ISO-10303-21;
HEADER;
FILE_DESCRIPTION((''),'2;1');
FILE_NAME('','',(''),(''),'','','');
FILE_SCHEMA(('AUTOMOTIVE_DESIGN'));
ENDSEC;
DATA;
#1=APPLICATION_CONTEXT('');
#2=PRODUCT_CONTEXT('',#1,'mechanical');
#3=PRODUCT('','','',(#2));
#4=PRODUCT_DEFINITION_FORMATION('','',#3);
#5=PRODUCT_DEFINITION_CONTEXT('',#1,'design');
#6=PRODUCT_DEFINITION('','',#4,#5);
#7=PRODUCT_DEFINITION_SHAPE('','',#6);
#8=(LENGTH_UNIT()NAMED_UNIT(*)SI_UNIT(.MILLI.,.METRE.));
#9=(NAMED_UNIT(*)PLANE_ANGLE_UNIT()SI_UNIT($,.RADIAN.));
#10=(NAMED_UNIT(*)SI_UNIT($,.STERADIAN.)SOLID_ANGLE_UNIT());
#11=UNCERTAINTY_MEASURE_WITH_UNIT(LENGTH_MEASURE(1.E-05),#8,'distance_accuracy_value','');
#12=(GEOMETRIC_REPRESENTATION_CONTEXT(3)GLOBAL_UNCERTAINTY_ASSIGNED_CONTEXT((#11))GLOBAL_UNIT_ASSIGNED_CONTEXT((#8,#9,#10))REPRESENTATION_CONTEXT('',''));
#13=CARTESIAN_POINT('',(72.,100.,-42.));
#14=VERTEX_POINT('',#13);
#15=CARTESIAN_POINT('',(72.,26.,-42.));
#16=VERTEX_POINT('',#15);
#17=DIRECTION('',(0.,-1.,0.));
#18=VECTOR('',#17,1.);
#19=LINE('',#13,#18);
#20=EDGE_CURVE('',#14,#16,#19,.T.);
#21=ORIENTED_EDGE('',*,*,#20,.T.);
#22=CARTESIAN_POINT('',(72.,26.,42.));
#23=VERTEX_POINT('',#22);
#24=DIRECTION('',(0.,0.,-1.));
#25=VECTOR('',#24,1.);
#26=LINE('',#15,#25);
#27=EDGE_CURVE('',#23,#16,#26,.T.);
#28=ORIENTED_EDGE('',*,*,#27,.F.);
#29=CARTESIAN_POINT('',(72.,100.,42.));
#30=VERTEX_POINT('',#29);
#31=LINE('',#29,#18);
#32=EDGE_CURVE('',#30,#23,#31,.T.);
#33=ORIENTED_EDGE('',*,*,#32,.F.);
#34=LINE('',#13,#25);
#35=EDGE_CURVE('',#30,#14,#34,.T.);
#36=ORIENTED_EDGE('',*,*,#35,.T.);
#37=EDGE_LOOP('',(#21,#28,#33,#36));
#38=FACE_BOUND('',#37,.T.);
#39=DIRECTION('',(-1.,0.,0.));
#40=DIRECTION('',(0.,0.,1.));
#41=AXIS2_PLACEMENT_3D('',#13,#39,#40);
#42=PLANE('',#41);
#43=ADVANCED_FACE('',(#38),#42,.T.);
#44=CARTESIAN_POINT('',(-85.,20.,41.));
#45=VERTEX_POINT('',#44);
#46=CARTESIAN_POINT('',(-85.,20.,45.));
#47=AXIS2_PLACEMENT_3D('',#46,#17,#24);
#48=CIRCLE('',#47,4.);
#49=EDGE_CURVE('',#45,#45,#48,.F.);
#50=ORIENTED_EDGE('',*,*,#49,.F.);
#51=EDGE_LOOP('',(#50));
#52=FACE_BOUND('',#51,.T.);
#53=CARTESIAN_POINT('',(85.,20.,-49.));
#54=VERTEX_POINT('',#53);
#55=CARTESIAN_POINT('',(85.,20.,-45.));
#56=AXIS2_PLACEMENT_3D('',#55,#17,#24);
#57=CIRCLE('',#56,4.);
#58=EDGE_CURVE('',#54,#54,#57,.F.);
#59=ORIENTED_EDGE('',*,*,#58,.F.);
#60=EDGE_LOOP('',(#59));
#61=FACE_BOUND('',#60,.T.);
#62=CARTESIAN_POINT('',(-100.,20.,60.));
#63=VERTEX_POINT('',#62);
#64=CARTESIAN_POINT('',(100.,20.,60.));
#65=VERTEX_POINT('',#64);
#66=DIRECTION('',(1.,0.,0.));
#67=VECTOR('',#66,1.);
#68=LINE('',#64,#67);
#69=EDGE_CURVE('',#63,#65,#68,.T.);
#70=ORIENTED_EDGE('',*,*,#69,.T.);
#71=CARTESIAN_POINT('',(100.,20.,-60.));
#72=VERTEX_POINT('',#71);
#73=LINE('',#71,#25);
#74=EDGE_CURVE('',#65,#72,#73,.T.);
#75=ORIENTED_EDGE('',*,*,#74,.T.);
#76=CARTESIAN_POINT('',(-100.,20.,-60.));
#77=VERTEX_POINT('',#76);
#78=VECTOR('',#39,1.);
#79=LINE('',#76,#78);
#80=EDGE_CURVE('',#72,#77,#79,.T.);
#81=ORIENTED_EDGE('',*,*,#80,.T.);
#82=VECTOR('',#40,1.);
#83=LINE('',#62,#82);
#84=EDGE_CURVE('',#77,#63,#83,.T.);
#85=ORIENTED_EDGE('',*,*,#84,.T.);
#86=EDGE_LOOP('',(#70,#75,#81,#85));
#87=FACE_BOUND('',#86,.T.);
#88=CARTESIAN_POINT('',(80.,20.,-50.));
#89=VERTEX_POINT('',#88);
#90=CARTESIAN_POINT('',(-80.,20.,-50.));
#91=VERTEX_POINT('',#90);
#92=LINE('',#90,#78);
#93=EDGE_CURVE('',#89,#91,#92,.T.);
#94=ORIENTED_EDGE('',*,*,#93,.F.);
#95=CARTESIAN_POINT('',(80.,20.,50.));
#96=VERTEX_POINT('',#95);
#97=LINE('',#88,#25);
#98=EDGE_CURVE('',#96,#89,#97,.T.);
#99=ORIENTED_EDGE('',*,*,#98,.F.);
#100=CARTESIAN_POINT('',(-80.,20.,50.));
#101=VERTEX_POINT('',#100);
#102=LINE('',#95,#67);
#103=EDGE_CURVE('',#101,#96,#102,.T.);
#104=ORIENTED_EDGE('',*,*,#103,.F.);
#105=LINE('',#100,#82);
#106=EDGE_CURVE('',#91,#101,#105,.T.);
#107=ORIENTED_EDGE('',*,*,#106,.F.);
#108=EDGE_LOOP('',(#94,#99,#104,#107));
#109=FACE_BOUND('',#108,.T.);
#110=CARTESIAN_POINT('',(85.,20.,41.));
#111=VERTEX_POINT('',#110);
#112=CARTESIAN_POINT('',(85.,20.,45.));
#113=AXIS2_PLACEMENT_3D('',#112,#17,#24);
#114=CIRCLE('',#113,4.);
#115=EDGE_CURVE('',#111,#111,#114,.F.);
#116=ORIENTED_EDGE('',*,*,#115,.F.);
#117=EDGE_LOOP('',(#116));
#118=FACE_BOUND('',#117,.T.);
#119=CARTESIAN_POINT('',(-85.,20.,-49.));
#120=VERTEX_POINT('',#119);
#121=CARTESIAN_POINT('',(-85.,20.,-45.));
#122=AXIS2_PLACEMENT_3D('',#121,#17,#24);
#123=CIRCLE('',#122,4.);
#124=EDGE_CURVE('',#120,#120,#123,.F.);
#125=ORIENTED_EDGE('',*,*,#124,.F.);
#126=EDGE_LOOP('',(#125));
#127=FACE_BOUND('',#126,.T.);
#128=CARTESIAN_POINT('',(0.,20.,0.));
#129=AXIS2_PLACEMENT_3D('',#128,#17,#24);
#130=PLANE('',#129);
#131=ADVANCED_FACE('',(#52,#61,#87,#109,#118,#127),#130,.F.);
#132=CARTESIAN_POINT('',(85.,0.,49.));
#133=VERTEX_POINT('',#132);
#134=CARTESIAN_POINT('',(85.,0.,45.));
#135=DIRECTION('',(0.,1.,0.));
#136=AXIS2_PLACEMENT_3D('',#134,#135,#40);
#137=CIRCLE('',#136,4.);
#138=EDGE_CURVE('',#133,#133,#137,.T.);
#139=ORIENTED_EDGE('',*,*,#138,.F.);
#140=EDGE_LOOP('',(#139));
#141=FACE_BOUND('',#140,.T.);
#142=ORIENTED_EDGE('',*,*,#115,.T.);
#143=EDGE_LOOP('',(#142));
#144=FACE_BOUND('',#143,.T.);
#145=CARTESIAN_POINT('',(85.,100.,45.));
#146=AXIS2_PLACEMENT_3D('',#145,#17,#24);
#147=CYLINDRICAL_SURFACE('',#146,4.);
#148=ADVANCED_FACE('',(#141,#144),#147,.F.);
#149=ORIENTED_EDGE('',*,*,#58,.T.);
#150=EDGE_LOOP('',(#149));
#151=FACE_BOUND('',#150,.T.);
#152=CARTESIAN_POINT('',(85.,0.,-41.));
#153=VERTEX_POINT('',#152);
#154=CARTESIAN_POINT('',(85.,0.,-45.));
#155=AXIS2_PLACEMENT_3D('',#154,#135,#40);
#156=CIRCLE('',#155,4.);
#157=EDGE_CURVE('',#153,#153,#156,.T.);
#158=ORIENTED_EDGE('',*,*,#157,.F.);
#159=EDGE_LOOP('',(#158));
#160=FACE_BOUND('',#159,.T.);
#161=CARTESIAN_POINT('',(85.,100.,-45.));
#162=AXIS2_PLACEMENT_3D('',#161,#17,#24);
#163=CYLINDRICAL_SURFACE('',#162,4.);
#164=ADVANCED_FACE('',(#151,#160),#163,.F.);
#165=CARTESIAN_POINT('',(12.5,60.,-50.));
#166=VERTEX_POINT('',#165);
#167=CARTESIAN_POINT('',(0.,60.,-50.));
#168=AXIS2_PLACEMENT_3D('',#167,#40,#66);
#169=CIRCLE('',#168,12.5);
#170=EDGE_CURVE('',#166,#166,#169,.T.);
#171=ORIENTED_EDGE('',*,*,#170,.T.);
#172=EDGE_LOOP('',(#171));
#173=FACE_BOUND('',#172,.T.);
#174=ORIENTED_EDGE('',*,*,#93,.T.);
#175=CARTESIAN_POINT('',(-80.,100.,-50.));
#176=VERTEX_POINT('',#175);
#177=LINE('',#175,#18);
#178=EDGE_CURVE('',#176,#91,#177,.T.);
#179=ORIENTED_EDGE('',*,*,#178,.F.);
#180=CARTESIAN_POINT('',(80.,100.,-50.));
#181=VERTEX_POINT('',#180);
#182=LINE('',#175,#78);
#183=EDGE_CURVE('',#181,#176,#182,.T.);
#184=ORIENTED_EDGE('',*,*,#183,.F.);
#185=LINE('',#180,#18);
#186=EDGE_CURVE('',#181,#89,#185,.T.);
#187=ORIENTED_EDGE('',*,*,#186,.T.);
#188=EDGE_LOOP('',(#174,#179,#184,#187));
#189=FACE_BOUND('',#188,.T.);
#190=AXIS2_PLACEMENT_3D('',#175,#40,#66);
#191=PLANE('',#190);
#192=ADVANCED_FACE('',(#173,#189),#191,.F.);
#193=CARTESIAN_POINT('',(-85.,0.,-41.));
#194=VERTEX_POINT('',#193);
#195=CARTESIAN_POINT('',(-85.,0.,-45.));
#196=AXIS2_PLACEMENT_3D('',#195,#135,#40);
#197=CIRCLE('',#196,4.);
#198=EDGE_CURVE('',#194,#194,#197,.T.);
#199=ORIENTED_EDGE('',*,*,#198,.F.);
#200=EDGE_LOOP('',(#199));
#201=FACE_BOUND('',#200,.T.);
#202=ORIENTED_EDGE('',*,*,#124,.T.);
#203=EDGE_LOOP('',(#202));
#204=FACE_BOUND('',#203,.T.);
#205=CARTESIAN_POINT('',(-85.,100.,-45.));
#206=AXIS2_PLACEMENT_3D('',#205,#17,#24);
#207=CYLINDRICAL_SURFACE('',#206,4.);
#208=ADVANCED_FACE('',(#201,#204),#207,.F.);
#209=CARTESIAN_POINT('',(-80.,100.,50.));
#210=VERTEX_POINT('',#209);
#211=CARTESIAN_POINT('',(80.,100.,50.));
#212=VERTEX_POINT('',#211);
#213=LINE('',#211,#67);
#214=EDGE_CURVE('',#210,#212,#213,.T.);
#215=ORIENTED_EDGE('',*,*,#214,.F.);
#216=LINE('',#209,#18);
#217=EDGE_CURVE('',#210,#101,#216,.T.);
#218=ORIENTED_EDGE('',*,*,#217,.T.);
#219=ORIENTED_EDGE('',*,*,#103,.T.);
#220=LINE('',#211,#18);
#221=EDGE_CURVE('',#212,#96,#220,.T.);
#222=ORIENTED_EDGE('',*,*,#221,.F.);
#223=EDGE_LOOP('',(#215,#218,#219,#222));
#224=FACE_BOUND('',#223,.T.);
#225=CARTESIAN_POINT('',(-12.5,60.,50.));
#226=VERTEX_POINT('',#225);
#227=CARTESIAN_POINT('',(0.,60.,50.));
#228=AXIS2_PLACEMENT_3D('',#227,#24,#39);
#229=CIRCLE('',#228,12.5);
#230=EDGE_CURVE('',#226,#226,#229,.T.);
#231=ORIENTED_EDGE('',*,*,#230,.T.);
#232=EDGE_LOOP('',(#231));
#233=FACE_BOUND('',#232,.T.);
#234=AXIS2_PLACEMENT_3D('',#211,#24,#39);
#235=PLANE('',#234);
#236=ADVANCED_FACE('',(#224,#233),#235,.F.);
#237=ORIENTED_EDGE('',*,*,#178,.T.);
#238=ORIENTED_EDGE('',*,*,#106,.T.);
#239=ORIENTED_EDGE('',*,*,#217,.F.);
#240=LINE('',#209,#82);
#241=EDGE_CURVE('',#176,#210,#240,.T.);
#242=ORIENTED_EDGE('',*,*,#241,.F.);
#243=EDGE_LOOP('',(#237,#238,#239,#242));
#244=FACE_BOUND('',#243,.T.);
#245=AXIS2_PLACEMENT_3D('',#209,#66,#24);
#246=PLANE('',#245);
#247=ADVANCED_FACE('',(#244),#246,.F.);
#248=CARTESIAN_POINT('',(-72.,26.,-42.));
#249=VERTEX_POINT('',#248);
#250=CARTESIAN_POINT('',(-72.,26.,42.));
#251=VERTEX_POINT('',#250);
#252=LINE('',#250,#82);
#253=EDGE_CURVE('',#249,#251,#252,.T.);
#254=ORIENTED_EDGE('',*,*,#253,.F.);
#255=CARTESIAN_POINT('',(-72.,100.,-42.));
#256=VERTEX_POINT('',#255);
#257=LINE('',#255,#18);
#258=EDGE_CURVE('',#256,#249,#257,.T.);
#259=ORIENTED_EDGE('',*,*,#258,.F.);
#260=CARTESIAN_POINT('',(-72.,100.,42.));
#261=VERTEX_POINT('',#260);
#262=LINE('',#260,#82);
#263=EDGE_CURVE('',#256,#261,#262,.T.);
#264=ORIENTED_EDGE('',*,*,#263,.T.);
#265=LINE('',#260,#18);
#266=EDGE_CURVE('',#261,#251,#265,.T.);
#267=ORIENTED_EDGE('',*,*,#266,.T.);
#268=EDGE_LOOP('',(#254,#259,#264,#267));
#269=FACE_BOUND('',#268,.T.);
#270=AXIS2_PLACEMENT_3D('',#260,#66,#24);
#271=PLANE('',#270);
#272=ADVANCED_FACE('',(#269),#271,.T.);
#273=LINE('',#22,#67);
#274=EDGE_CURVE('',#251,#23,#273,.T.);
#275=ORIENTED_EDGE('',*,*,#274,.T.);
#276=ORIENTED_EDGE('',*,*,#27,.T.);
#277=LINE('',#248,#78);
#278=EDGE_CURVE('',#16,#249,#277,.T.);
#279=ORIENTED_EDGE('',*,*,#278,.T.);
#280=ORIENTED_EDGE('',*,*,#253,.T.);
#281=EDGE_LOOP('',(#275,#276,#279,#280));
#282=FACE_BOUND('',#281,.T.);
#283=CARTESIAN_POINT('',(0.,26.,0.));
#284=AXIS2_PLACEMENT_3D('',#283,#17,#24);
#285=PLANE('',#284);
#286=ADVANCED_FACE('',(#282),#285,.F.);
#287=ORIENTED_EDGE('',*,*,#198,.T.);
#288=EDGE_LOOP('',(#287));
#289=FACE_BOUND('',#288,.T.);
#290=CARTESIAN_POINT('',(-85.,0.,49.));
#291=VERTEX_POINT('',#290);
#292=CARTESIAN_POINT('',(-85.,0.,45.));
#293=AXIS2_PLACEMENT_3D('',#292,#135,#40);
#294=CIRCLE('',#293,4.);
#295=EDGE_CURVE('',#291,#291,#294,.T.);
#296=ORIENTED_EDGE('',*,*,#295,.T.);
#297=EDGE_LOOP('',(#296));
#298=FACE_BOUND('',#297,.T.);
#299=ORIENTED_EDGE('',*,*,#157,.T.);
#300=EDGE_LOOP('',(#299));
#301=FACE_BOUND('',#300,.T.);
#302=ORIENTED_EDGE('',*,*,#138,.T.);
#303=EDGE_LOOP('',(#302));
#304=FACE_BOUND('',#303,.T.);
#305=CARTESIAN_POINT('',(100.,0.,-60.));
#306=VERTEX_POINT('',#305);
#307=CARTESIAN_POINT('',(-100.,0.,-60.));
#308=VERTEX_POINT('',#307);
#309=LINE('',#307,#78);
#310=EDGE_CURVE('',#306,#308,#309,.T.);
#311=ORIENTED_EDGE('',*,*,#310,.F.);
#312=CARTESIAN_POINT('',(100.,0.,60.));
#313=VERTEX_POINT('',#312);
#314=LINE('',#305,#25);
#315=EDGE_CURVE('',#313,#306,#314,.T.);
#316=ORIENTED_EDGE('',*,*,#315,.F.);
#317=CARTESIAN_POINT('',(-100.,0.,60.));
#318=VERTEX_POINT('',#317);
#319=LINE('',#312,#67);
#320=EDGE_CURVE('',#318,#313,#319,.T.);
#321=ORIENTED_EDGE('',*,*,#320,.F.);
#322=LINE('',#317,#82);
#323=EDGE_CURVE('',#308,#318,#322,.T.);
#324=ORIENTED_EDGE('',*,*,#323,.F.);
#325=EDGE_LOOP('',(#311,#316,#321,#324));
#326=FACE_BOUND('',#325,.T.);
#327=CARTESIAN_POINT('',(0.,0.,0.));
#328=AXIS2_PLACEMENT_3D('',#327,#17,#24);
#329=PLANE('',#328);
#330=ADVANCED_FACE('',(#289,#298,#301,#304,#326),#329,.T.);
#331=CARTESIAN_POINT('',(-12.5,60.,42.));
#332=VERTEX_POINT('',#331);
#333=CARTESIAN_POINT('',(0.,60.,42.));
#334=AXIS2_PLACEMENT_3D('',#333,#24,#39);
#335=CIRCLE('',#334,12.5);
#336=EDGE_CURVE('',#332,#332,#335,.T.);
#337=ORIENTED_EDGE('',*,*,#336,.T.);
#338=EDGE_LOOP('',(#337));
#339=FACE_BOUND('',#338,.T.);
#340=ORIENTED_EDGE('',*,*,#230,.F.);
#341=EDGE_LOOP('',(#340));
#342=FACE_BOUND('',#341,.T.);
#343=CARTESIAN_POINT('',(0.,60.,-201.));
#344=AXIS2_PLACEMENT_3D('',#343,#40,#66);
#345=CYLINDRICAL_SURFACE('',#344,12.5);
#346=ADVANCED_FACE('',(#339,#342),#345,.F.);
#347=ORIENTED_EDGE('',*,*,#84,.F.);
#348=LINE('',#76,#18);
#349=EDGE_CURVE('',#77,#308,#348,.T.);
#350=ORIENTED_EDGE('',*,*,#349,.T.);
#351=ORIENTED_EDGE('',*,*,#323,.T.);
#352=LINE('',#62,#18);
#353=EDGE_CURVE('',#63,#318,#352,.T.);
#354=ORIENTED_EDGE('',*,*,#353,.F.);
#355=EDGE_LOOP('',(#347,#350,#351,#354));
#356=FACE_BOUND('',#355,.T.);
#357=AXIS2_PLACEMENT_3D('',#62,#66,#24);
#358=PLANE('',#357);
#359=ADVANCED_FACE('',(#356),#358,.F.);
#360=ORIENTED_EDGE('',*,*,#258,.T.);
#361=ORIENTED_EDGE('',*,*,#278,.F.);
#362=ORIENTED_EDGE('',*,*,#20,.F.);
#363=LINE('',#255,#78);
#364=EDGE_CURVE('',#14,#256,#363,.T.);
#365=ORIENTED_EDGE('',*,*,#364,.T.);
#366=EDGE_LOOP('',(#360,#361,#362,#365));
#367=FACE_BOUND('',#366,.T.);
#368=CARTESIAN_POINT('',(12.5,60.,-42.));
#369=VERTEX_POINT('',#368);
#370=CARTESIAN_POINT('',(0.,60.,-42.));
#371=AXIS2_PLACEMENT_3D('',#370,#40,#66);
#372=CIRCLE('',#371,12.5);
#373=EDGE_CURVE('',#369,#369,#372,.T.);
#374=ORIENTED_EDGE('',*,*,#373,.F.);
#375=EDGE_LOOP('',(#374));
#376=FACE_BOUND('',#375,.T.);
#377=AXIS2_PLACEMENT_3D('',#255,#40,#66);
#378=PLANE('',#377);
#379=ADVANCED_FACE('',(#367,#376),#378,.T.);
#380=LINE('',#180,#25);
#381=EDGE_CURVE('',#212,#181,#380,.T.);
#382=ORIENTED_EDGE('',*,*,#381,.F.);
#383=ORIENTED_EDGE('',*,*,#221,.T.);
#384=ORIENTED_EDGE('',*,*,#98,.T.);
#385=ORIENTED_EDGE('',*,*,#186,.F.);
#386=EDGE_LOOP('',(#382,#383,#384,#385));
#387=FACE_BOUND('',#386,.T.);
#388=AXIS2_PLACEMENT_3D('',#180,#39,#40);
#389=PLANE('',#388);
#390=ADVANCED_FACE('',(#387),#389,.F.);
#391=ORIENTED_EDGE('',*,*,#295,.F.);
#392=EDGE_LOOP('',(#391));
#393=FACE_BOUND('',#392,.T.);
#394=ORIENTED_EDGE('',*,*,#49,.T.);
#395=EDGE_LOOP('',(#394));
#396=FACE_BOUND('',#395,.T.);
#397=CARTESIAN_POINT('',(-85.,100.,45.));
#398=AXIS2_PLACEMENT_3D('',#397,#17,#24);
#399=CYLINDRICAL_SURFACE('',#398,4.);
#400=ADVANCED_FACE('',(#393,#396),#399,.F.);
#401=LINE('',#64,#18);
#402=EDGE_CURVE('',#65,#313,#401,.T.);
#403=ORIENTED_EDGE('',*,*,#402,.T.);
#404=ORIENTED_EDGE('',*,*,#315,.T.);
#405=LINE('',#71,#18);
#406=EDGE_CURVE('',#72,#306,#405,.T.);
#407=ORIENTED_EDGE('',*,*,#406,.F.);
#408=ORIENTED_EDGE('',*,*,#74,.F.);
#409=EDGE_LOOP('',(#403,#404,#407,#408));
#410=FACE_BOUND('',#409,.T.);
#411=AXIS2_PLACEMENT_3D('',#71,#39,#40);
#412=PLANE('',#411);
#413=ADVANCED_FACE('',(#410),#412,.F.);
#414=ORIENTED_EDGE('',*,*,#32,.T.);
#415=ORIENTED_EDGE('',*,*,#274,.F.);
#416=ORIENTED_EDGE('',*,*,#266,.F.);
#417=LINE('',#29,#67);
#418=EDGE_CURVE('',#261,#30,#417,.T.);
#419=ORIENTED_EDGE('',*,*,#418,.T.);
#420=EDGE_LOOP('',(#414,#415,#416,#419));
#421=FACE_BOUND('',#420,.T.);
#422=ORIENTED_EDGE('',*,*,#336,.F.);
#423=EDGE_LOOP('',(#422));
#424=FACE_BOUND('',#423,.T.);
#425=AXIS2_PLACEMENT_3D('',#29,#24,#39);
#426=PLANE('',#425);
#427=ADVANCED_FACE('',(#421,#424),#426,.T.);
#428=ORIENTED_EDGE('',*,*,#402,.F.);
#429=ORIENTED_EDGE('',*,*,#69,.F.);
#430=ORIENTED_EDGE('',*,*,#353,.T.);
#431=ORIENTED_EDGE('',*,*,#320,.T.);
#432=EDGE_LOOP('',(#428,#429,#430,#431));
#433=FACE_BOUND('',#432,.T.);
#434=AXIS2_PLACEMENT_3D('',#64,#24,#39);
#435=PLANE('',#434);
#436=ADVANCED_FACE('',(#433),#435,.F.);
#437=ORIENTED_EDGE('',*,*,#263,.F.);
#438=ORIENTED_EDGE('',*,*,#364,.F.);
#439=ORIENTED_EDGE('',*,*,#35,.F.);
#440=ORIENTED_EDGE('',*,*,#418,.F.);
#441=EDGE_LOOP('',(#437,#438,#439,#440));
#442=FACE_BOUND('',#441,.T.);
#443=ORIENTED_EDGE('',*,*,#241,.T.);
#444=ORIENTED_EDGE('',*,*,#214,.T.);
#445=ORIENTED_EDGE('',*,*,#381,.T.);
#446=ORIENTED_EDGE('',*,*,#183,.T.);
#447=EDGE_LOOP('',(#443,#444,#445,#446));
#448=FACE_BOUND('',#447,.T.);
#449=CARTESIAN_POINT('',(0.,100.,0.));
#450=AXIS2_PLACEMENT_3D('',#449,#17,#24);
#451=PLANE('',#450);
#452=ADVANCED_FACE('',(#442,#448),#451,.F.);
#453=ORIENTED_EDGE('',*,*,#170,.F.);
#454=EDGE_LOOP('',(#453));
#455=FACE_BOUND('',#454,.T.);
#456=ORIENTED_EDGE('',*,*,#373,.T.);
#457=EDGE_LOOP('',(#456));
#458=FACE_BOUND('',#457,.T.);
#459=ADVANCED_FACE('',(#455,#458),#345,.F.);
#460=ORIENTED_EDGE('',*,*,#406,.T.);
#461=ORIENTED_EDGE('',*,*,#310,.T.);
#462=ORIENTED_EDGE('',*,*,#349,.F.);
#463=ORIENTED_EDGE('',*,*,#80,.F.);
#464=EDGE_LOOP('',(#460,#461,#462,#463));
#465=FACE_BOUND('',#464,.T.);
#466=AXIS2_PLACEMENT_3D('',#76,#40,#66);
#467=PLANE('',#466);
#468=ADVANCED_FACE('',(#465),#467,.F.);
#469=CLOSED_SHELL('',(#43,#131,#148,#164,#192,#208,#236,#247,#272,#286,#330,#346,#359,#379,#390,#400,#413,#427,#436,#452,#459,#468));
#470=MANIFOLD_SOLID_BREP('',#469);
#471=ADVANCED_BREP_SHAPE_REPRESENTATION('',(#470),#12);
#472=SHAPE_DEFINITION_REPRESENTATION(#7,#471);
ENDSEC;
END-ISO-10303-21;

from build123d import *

# Parameters (mm, degrees)
SKETCH_1_W          = 200
SKETCH_1_H          = 120
EXTRUDE_1_DEPTH     = 20
SKETCH_2_W          = 160
SKETCH_2_H          = 100
EXTRUDE_2_DEPTH     = 80
SKETCH_3_W          = 144
SKETCH_3_H          = 84
CUT_EXTRUDE_1_DEPTH = 139.115893365
SKETCH_4_R          = 4
CUT_EXTRUDE_2_DEPTH = 154.622914957
SKETCH_5_R          = 12.5
CUT_EXTRUDE_3_DEPTH = 201


with BuildPart() as part:
    # 草图1 → 凸台-拉伸1 (new body)
    with BuildSketch(Plane(origin=(0, 0, 0), x_dir=(1, 0, 0), z_dir=(0, 1, 0))):
        Rectangle(SKETCH_1_W, SKETCH_1_H)
    extrude(amount=EXTRUDE_1_DEPTH)

    # 草图2 → 凸台-拉伸2 (add)
    with BuildSketch(Plane(origin=(0, 20, 0), x_dir=(1, 0, 0), z_dir=(0, 1, 0))):
        Rectangle(SKETCH_2_W, SKETCH_2_H)
    extrude(amount=EXTRUDE_2_DEPTH)

    # 草图3 → 切除-拉伸1 (cut, through all)
    with BuildSketch(Plane(origin=(0, 26, 0), x_dir=(1, 0, 0), z_dir=(0, 1, 0))):
        Rectangle(SKETCH_3_W, SKETCH_3_H)
    extrude(amount=CUT_EXTRUDE_1_DEPTH, mode=Mode.SUBTRACT)

    # 草图4 → 切除-拉伸2 (cut, through all)
    with BuildSketch(Plane(origin=(0, 0, 0), x_dir=(1, 0, 0), z_dir=(0, 1, 0))):
        with Locations(Location((85, -45, 0), (0, 0, 90))):
            Circle(SKETCH_4_R)
        with Locations(Location((85, 45, 0), (0, 0, 90))):
            Circle(SKETCH_4_R)
        with Locations(Location((-85, -45, 0), (0, 0, 90))):
            Circle(SKETCH_4_R)
        with Locations(Location((-85, 45, 0), (0, 0, 90))):
            Circle(SKETCH_4_R)
    extrude(amount=CUT_EXTRUDE_2_DEPTH, mode=Mode.SUBTRACT)

    # 草图5 → 切除-拉伸3 (cut, symmetric)
    with BuildSketch(Plane.XY):
        with Locations((0, 60)):
            Circle(SKETCH_5_R)
    extrude(amount=CUT_EXTRUDE_3_DEPTH, both=True, mode=Mode.SUBTRACT)


solid = part.part
